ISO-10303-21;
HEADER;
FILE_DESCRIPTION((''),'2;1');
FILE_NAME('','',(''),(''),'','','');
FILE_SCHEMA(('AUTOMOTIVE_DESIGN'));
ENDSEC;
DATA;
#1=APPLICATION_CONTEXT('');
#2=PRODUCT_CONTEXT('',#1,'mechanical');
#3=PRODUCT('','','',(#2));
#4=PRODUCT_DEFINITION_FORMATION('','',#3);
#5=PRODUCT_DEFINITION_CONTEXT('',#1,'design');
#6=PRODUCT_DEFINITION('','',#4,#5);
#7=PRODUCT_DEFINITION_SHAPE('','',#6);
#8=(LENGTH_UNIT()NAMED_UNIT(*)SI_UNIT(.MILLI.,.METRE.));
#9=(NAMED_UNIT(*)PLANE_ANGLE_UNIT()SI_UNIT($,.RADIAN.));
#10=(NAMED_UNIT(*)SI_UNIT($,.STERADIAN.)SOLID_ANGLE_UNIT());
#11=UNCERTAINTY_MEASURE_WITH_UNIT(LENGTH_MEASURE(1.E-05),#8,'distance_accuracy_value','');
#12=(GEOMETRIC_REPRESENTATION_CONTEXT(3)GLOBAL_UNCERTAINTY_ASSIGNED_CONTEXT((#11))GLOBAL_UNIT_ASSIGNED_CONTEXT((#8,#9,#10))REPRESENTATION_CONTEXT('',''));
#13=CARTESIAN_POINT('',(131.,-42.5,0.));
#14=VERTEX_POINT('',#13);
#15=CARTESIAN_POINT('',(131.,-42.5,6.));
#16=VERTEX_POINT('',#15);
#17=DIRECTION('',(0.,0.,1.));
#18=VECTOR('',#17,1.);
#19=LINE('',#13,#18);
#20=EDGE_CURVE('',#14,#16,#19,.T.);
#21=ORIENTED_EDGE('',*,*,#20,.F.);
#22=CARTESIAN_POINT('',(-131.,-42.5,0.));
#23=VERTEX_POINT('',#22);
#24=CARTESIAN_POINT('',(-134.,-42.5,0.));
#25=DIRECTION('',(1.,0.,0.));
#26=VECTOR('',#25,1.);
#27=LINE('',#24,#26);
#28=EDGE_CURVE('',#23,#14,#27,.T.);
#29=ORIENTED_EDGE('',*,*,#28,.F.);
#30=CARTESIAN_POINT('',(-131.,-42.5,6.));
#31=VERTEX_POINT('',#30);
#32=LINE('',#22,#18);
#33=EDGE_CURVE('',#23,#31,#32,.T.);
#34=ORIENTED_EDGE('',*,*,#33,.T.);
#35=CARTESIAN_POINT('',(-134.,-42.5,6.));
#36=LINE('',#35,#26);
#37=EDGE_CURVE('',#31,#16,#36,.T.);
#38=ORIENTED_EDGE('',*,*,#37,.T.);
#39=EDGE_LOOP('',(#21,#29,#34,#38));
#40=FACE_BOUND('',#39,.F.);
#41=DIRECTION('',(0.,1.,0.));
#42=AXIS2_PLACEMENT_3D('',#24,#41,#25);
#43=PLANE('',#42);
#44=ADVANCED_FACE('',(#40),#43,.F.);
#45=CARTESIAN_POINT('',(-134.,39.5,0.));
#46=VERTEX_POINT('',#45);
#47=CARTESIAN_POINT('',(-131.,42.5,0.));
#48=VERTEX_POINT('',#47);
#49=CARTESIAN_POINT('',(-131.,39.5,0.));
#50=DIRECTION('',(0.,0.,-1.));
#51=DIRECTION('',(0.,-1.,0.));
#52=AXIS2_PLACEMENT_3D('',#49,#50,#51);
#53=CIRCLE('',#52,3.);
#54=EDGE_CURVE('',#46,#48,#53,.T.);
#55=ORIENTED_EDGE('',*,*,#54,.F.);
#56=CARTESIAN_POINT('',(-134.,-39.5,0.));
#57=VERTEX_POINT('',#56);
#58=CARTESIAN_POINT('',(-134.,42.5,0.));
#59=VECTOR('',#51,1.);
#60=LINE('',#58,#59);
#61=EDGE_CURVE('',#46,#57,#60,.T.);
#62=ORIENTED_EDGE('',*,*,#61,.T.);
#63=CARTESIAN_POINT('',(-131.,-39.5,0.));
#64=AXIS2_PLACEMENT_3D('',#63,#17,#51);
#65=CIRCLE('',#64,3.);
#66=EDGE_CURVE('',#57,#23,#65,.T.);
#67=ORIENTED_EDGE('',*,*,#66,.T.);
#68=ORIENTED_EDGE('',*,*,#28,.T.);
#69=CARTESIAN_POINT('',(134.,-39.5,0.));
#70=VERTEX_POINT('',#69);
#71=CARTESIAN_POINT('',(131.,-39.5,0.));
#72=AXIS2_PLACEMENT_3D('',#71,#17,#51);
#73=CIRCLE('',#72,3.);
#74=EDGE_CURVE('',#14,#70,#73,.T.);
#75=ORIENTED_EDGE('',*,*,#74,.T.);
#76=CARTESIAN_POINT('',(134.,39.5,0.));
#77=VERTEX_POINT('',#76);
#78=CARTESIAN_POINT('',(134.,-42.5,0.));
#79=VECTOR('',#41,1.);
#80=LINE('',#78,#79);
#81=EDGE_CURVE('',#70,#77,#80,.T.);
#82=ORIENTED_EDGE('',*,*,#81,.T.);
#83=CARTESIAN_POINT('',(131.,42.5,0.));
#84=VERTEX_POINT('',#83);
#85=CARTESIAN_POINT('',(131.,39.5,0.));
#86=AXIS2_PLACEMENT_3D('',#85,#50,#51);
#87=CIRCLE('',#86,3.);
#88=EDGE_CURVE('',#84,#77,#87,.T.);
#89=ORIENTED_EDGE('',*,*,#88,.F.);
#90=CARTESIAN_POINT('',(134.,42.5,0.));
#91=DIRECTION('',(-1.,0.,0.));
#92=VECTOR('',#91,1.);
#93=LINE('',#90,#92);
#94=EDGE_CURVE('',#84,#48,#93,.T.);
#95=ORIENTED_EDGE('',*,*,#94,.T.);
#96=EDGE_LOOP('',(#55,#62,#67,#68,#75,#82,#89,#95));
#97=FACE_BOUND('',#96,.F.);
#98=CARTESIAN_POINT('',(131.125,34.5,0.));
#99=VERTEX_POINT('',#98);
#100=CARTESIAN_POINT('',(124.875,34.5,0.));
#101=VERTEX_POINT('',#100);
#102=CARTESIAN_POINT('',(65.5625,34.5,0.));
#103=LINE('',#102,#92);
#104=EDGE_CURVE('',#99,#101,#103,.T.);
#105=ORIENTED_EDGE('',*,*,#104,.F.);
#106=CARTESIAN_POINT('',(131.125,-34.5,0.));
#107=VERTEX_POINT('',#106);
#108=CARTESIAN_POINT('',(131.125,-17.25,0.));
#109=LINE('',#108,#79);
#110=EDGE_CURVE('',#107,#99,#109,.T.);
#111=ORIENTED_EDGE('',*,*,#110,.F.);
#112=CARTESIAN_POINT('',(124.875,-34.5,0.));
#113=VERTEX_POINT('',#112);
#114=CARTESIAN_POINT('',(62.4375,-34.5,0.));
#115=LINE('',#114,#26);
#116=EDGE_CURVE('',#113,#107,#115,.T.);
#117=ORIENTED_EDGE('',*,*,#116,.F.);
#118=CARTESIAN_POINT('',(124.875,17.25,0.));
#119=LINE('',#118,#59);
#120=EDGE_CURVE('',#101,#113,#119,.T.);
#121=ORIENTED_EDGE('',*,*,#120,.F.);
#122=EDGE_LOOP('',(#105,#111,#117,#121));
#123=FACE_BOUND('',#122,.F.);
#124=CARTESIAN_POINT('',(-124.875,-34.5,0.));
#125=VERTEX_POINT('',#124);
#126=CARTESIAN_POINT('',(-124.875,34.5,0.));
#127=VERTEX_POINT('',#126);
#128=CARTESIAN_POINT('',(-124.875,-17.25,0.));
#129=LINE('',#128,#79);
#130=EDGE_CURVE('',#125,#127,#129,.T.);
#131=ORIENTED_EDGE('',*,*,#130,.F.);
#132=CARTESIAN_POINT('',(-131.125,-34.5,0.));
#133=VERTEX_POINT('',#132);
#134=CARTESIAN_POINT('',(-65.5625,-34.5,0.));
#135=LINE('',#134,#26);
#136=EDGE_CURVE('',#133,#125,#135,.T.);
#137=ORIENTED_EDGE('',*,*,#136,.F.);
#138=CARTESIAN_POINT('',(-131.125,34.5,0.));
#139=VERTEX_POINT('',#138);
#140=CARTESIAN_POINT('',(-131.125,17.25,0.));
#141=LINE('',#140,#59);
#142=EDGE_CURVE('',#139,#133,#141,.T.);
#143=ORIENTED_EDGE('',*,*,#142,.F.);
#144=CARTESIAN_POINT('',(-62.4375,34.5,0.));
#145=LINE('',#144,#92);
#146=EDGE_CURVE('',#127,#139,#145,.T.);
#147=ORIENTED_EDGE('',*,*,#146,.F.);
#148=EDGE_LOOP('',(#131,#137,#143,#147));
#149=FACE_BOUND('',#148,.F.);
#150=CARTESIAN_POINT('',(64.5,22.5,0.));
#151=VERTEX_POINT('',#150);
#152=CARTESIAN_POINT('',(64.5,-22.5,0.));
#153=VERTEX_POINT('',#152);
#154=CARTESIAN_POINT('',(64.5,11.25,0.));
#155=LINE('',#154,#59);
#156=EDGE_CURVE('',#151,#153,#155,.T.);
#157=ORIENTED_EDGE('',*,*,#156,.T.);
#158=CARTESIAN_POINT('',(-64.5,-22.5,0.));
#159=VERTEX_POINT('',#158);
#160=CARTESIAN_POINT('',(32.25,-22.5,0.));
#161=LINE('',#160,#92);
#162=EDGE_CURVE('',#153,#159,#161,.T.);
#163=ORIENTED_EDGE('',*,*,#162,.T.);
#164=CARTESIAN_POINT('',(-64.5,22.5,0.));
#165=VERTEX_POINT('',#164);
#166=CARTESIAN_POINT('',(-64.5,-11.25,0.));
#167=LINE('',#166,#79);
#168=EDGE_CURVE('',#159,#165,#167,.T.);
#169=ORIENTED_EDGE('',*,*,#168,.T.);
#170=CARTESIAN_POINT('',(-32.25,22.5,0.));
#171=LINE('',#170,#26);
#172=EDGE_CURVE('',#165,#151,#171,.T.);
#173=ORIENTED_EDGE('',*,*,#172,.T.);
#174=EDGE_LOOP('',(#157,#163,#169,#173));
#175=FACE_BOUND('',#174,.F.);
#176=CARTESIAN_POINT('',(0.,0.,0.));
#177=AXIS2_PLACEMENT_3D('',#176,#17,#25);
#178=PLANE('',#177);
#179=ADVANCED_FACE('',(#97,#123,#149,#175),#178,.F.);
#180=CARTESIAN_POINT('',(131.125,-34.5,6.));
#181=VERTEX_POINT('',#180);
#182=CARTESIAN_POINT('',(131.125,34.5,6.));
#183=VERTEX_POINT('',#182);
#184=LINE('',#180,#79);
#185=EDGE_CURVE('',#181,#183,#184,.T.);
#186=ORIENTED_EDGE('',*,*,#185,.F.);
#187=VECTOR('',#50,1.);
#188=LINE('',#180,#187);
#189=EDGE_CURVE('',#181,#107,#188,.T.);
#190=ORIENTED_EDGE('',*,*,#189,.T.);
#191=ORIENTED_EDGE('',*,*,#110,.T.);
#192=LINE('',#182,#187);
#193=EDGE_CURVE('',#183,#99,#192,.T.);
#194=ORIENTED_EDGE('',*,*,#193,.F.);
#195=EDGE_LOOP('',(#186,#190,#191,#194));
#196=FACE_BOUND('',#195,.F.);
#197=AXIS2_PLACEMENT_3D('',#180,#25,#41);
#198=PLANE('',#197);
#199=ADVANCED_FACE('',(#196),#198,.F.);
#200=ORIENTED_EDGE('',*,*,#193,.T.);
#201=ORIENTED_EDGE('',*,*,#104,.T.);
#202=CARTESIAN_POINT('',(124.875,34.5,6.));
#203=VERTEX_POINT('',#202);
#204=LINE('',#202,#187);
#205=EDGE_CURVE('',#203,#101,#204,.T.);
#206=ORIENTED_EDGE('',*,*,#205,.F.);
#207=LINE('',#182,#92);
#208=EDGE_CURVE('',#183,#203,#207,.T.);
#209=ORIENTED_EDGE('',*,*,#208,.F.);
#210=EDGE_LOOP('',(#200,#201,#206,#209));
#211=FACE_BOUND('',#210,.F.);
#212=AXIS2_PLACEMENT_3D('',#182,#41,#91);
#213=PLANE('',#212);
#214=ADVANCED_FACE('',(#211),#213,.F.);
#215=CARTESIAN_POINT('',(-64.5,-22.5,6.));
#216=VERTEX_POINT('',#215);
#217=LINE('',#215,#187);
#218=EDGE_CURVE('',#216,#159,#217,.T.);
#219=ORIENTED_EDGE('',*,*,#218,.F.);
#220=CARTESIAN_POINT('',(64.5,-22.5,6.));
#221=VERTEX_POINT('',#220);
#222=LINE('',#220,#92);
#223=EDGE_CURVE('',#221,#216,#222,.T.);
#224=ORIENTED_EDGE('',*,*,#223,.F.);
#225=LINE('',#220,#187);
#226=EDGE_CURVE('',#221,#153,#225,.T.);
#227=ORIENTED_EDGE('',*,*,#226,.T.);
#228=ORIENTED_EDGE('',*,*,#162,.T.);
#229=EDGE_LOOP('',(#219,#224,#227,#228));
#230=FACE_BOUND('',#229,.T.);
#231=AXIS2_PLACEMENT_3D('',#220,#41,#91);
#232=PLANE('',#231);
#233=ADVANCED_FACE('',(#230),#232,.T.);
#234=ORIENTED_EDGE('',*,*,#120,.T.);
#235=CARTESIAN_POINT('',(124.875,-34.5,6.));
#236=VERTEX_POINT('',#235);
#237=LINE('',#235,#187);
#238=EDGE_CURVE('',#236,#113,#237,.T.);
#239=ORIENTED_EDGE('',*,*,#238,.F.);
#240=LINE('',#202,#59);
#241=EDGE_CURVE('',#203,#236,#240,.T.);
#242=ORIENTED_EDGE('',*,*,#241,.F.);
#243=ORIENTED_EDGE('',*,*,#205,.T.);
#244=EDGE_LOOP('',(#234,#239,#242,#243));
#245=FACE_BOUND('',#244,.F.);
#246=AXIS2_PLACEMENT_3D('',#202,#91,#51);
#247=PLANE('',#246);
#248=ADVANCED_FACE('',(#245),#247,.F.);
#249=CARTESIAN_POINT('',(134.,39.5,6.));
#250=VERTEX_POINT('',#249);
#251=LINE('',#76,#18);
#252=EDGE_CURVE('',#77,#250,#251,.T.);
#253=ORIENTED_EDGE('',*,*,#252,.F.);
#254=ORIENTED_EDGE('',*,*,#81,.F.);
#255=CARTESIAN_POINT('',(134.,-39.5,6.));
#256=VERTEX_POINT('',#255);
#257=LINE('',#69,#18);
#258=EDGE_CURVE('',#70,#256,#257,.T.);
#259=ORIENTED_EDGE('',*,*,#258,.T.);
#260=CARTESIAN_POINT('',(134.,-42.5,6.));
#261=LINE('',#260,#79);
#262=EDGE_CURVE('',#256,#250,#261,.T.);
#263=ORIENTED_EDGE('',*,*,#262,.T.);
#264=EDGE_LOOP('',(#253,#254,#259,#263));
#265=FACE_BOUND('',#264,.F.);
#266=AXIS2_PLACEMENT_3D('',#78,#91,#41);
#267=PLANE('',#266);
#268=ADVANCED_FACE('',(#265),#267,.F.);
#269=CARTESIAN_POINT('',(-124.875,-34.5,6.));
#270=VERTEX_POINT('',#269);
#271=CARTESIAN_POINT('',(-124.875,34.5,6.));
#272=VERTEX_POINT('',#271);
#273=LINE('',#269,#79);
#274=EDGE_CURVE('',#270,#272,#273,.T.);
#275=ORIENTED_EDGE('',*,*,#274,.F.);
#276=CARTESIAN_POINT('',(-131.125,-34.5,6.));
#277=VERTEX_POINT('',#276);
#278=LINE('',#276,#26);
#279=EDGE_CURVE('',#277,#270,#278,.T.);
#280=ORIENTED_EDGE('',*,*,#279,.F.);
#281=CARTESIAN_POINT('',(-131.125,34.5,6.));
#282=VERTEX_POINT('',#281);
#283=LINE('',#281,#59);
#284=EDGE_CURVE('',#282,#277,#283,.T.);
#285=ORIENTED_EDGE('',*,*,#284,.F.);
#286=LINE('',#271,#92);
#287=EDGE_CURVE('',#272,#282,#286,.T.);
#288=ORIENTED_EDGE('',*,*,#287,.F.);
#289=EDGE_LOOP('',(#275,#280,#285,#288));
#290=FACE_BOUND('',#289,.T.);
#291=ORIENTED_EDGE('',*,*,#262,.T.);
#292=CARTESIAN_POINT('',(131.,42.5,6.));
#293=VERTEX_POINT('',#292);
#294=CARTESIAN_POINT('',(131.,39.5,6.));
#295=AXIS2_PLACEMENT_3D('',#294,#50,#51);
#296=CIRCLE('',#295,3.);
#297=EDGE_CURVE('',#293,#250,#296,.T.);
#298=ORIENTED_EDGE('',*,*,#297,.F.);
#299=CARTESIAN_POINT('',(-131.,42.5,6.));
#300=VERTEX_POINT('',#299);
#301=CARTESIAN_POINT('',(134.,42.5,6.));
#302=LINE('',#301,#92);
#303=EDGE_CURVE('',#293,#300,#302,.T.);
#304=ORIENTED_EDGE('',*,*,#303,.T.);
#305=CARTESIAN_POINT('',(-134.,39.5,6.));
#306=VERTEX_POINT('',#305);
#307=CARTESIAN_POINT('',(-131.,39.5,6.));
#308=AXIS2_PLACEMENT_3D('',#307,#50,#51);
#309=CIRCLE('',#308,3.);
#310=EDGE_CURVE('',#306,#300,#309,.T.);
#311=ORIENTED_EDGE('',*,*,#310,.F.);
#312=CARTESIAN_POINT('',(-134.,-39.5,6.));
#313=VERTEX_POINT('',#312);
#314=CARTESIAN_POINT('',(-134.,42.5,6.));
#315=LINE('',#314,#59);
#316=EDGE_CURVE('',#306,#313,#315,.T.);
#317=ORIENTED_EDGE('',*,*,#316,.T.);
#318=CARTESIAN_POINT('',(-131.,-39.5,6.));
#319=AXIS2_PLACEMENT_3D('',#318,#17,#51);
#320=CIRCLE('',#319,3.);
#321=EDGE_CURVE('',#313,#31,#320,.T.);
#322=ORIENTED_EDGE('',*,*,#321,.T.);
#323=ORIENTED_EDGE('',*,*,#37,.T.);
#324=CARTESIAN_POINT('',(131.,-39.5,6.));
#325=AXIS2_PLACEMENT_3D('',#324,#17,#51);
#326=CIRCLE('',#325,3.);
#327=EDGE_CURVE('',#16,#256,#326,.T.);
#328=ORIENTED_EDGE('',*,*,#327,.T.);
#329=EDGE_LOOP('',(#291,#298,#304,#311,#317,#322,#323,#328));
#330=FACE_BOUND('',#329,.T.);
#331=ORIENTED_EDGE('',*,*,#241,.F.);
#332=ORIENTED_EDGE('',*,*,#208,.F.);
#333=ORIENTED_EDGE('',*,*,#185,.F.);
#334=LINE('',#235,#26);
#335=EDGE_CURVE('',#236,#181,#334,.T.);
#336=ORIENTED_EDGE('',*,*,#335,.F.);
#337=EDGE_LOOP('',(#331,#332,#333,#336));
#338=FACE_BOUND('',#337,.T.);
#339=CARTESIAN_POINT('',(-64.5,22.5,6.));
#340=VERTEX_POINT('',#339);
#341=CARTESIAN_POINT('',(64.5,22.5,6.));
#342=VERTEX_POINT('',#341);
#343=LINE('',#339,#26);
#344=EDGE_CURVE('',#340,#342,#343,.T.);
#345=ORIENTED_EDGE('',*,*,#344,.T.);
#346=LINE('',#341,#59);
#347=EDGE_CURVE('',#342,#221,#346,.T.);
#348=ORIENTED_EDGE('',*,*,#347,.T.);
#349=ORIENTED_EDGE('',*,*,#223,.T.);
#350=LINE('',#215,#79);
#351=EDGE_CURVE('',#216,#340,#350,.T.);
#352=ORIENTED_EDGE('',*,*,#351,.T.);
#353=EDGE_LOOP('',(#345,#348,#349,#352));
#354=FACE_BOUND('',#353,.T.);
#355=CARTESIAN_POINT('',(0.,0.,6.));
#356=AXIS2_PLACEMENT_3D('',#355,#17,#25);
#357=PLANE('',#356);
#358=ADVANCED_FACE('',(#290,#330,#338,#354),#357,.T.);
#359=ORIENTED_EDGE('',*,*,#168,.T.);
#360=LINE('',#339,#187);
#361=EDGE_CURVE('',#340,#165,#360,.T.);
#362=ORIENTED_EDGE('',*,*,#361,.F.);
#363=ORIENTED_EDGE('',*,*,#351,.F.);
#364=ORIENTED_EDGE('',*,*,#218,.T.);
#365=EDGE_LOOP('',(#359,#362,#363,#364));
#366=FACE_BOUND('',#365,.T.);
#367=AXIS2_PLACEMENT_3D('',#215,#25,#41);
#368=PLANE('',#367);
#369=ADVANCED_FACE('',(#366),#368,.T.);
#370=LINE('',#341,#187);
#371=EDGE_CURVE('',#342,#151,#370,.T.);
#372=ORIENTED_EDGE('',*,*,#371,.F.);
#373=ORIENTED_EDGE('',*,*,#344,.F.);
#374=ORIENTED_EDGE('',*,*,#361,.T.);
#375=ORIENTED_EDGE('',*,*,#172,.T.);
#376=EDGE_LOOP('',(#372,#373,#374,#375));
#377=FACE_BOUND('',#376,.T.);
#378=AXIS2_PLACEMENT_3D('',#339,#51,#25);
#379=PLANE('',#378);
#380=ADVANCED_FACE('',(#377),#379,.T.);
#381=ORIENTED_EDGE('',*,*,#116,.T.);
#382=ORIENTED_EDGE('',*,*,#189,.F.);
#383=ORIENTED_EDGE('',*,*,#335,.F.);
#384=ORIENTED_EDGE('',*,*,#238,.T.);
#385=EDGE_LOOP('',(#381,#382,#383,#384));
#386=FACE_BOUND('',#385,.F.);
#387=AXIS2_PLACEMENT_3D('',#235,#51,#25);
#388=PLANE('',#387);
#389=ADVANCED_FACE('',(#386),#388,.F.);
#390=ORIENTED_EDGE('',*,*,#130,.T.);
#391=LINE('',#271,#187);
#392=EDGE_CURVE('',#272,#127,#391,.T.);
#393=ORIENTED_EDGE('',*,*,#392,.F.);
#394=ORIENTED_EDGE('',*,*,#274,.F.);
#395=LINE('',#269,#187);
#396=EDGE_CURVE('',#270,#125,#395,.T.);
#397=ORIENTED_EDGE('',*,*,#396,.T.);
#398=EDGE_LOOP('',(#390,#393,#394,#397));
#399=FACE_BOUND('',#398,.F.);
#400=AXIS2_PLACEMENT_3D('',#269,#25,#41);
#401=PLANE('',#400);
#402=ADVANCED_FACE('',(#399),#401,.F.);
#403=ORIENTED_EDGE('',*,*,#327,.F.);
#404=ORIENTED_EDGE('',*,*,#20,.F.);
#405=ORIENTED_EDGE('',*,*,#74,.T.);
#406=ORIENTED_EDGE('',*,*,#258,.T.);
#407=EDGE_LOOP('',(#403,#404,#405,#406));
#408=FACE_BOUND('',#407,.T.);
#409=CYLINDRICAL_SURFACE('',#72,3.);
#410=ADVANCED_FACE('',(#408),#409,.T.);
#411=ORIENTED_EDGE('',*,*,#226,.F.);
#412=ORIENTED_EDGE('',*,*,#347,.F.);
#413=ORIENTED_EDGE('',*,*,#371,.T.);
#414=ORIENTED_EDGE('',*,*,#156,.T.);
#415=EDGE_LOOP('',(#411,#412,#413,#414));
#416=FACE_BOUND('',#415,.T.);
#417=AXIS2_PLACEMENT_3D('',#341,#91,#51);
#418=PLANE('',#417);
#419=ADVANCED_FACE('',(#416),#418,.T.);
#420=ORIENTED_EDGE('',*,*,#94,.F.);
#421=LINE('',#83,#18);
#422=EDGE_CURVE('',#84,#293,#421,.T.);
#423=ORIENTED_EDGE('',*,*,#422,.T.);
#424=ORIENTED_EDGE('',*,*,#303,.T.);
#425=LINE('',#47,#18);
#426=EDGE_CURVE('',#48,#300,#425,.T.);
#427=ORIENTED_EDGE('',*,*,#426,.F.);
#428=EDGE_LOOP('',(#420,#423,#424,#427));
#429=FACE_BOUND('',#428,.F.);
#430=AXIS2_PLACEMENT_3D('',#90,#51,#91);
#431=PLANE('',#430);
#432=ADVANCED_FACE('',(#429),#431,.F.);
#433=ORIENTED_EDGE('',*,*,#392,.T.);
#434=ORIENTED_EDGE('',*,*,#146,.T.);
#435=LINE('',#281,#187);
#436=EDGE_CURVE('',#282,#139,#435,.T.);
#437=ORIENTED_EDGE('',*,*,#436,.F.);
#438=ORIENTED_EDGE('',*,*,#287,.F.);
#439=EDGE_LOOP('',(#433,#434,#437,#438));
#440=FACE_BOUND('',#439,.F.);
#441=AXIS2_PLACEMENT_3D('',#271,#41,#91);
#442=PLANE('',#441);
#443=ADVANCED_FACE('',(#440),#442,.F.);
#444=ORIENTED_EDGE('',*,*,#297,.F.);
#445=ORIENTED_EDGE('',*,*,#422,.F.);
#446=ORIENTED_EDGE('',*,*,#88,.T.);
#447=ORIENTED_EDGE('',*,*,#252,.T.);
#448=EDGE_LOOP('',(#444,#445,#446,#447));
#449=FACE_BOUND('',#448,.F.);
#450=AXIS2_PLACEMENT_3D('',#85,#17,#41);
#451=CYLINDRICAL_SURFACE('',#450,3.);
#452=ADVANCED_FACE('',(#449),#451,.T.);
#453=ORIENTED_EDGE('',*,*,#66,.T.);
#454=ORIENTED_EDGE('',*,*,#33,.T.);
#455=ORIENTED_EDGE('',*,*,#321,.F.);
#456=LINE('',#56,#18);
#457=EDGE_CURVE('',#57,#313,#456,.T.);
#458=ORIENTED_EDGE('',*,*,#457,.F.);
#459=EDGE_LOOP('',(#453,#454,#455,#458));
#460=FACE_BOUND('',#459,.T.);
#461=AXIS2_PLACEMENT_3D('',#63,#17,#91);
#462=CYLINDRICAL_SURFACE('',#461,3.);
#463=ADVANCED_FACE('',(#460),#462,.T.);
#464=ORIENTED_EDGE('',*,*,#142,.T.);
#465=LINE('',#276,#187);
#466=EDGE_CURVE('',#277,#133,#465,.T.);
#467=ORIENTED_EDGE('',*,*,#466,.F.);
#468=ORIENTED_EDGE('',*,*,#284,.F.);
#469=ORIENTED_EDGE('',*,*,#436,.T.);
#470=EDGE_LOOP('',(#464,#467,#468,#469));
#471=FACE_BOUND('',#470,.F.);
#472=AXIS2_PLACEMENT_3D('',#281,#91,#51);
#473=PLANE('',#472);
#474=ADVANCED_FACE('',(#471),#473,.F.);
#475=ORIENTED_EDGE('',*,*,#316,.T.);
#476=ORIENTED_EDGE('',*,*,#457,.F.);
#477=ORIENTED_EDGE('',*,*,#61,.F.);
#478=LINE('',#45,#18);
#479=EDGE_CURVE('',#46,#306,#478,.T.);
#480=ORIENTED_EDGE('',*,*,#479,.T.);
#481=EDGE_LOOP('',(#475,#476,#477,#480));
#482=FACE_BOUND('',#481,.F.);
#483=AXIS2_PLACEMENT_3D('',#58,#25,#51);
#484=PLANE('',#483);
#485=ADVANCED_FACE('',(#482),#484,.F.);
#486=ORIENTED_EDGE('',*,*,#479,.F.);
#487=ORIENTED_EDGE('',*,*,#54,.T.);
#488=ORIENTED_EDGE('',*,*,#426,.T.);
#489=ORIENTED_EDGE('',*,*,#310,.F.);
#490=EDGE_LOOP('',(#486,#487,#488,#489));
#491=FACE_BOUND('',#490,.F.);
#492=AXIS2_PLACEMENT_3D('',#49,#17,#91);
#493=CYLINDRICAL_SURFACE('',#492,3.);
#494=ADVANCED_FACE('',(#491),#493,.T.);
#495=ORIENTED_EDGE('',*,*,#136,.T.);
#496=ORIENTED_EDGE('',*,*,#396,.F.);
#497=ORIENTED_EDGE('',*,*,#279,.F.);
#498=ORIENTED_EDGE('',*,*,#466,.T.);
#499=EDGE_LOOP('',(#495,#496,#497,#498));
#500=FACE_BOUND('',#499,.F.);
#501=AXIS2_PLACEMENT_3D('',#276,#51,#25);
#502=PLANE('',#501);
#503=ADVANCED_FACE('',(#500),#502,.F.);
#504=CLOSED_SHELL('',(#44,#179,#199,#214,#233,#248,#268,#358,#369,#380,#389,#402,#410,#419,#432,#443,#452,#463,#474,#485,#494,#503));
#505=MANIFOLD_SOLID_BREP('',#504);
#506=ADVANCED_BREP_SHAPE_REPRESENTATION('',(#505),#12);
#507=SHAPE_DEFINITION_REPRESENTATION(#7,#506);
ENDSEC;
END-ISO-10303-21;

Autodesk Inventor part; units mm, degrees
ref_plane "YZ Plane" through (0, 0, 0) normal (1, 0, 0) x (0, 1, 0)
ref_plane "XZ Plane" through (0, 0, 0) normal (0, 1, 0) x (-1, 0, 0)
ref_plane "XY Plane" through (0, 0, 0) normal (0, 0, 1) x (1, 0, 0)
sketch "Sketch1" plane through (0, 0, 0) normal (0, 0, 1) x (1, 0, 0)
  line L0 (-134, -42.5) -> (134, -42.5)
  line L1 (134, -42.5) -> (134, 42.5)
  line L2 (134, 42.5) -> (-134, 42.5)
  line L3 (-134, 42.5) -> (-134, -42.5)
  line L4 (-134, -42.5) -> (134, 42.5) construction
  line L5 (134, -42.5) -> (-134, 42.5) construction
  point P0 (0, 0)
  dimension "d0" = 85
  dimension "d1" = 268
extrude "Extrusion1" add sketch "Sketch1" along normal blind 6
sketch "Sketch2" plane through (0, 0, 6) normal (0, 0, 1) x (1, 0, 0)
  line L0 (-134, -42.5) -> (134, -42.5) projected
  line L1 (134, -42.5) -> (134, 42.5) projected
  line L2 (-131.125, -34.5) -> (-124.875, -34.5)
  line L3 (-124.875, -34.5) -> (-124.875, 34.5)
  line L4 (-124.875, 34.5) -> (-131.125, 34.5)
  line L5 (-131.125, 34.5) -> (-131.125, -34.5)
  line L6 (-131.125, -34.5) -> (-124.875, 34.5) construction
  line L7 (-124.875, -34.5) -> (-131.125, 34.5) construction
  line L8 (124.875, -34.5) -> (131.125, -34.5)
  line L9 (131.125, -34.5) -> (131.125, 34.5)
  line L10 (131.125, 34.5) -> (124.875, 34.5)
  line L11 (124.875, 34.5) -> (124.875, -34.5)
  line L12 (124.875, -34.5) -> (131.125, 34.5) construction
  line L13 (131.125, -34.5) -> (124.875, 34.5) construction
  line L14 (134, 42.5) -> (-134, 42.5) projected
  line L15 (-134, 42.5) -> (-134, -42.5) projected
  point P0 (0, 0)
  point P1 (-128, 0)
  point P2 (128, 0)
  dimension "d5" = 2.875
  dimension "d6" = 6.25
  dimension "d8" = 8
  dimension "d34" = 2.875
  dimension "d35" = 8
extrude "Extrusion2" cut sketch "Sketch2" against normal through all contours L5 L4 L3 L2 | L11 L10 L9 L8
fillet "Fillet1" radius 3 4 edges at (134, -42.5, 3) (134, 42.5, 3) (-134, -42.5, 3) (-134, 42.5, 3)
sketch "Sketch4" plane through (0, 0, 6) normal (0, 0, 1) x (1, 0, 0)
  line L0 (64.5, -22.5) -> (-64.5, -22.5)
  line L1 (-64.5, -22.5) -> (-64.5, 22.5)
  line L2 (-64.5, 22.5) -> (64.5, 22.5)
  line L3 (64.5, 22.5) -> (64.5, -22.5)
  line L4 (64.5, -22.5) -> (-64.5, 22.5) construction
  line L5 (-64.5, -22.5) -> (64.5, 22.5) construction
  line L6 (131, 42.5) -> (-131, 42.5) projected
  line L7 (-131, -42.5) -> (131, -42.5) projected
  line L8 (0, -42.5) -> (0, 0) construction
  dimension "d2" = 6
  dimension "d33" = 20
  dimension "d36" = 129
  dimension "d37" = 20
extrude "Extrusion5" cut sketch "Sketch4" against normal blind 10
equation "\"d34\" = d5"
properties part number "TopFrontPanel"
